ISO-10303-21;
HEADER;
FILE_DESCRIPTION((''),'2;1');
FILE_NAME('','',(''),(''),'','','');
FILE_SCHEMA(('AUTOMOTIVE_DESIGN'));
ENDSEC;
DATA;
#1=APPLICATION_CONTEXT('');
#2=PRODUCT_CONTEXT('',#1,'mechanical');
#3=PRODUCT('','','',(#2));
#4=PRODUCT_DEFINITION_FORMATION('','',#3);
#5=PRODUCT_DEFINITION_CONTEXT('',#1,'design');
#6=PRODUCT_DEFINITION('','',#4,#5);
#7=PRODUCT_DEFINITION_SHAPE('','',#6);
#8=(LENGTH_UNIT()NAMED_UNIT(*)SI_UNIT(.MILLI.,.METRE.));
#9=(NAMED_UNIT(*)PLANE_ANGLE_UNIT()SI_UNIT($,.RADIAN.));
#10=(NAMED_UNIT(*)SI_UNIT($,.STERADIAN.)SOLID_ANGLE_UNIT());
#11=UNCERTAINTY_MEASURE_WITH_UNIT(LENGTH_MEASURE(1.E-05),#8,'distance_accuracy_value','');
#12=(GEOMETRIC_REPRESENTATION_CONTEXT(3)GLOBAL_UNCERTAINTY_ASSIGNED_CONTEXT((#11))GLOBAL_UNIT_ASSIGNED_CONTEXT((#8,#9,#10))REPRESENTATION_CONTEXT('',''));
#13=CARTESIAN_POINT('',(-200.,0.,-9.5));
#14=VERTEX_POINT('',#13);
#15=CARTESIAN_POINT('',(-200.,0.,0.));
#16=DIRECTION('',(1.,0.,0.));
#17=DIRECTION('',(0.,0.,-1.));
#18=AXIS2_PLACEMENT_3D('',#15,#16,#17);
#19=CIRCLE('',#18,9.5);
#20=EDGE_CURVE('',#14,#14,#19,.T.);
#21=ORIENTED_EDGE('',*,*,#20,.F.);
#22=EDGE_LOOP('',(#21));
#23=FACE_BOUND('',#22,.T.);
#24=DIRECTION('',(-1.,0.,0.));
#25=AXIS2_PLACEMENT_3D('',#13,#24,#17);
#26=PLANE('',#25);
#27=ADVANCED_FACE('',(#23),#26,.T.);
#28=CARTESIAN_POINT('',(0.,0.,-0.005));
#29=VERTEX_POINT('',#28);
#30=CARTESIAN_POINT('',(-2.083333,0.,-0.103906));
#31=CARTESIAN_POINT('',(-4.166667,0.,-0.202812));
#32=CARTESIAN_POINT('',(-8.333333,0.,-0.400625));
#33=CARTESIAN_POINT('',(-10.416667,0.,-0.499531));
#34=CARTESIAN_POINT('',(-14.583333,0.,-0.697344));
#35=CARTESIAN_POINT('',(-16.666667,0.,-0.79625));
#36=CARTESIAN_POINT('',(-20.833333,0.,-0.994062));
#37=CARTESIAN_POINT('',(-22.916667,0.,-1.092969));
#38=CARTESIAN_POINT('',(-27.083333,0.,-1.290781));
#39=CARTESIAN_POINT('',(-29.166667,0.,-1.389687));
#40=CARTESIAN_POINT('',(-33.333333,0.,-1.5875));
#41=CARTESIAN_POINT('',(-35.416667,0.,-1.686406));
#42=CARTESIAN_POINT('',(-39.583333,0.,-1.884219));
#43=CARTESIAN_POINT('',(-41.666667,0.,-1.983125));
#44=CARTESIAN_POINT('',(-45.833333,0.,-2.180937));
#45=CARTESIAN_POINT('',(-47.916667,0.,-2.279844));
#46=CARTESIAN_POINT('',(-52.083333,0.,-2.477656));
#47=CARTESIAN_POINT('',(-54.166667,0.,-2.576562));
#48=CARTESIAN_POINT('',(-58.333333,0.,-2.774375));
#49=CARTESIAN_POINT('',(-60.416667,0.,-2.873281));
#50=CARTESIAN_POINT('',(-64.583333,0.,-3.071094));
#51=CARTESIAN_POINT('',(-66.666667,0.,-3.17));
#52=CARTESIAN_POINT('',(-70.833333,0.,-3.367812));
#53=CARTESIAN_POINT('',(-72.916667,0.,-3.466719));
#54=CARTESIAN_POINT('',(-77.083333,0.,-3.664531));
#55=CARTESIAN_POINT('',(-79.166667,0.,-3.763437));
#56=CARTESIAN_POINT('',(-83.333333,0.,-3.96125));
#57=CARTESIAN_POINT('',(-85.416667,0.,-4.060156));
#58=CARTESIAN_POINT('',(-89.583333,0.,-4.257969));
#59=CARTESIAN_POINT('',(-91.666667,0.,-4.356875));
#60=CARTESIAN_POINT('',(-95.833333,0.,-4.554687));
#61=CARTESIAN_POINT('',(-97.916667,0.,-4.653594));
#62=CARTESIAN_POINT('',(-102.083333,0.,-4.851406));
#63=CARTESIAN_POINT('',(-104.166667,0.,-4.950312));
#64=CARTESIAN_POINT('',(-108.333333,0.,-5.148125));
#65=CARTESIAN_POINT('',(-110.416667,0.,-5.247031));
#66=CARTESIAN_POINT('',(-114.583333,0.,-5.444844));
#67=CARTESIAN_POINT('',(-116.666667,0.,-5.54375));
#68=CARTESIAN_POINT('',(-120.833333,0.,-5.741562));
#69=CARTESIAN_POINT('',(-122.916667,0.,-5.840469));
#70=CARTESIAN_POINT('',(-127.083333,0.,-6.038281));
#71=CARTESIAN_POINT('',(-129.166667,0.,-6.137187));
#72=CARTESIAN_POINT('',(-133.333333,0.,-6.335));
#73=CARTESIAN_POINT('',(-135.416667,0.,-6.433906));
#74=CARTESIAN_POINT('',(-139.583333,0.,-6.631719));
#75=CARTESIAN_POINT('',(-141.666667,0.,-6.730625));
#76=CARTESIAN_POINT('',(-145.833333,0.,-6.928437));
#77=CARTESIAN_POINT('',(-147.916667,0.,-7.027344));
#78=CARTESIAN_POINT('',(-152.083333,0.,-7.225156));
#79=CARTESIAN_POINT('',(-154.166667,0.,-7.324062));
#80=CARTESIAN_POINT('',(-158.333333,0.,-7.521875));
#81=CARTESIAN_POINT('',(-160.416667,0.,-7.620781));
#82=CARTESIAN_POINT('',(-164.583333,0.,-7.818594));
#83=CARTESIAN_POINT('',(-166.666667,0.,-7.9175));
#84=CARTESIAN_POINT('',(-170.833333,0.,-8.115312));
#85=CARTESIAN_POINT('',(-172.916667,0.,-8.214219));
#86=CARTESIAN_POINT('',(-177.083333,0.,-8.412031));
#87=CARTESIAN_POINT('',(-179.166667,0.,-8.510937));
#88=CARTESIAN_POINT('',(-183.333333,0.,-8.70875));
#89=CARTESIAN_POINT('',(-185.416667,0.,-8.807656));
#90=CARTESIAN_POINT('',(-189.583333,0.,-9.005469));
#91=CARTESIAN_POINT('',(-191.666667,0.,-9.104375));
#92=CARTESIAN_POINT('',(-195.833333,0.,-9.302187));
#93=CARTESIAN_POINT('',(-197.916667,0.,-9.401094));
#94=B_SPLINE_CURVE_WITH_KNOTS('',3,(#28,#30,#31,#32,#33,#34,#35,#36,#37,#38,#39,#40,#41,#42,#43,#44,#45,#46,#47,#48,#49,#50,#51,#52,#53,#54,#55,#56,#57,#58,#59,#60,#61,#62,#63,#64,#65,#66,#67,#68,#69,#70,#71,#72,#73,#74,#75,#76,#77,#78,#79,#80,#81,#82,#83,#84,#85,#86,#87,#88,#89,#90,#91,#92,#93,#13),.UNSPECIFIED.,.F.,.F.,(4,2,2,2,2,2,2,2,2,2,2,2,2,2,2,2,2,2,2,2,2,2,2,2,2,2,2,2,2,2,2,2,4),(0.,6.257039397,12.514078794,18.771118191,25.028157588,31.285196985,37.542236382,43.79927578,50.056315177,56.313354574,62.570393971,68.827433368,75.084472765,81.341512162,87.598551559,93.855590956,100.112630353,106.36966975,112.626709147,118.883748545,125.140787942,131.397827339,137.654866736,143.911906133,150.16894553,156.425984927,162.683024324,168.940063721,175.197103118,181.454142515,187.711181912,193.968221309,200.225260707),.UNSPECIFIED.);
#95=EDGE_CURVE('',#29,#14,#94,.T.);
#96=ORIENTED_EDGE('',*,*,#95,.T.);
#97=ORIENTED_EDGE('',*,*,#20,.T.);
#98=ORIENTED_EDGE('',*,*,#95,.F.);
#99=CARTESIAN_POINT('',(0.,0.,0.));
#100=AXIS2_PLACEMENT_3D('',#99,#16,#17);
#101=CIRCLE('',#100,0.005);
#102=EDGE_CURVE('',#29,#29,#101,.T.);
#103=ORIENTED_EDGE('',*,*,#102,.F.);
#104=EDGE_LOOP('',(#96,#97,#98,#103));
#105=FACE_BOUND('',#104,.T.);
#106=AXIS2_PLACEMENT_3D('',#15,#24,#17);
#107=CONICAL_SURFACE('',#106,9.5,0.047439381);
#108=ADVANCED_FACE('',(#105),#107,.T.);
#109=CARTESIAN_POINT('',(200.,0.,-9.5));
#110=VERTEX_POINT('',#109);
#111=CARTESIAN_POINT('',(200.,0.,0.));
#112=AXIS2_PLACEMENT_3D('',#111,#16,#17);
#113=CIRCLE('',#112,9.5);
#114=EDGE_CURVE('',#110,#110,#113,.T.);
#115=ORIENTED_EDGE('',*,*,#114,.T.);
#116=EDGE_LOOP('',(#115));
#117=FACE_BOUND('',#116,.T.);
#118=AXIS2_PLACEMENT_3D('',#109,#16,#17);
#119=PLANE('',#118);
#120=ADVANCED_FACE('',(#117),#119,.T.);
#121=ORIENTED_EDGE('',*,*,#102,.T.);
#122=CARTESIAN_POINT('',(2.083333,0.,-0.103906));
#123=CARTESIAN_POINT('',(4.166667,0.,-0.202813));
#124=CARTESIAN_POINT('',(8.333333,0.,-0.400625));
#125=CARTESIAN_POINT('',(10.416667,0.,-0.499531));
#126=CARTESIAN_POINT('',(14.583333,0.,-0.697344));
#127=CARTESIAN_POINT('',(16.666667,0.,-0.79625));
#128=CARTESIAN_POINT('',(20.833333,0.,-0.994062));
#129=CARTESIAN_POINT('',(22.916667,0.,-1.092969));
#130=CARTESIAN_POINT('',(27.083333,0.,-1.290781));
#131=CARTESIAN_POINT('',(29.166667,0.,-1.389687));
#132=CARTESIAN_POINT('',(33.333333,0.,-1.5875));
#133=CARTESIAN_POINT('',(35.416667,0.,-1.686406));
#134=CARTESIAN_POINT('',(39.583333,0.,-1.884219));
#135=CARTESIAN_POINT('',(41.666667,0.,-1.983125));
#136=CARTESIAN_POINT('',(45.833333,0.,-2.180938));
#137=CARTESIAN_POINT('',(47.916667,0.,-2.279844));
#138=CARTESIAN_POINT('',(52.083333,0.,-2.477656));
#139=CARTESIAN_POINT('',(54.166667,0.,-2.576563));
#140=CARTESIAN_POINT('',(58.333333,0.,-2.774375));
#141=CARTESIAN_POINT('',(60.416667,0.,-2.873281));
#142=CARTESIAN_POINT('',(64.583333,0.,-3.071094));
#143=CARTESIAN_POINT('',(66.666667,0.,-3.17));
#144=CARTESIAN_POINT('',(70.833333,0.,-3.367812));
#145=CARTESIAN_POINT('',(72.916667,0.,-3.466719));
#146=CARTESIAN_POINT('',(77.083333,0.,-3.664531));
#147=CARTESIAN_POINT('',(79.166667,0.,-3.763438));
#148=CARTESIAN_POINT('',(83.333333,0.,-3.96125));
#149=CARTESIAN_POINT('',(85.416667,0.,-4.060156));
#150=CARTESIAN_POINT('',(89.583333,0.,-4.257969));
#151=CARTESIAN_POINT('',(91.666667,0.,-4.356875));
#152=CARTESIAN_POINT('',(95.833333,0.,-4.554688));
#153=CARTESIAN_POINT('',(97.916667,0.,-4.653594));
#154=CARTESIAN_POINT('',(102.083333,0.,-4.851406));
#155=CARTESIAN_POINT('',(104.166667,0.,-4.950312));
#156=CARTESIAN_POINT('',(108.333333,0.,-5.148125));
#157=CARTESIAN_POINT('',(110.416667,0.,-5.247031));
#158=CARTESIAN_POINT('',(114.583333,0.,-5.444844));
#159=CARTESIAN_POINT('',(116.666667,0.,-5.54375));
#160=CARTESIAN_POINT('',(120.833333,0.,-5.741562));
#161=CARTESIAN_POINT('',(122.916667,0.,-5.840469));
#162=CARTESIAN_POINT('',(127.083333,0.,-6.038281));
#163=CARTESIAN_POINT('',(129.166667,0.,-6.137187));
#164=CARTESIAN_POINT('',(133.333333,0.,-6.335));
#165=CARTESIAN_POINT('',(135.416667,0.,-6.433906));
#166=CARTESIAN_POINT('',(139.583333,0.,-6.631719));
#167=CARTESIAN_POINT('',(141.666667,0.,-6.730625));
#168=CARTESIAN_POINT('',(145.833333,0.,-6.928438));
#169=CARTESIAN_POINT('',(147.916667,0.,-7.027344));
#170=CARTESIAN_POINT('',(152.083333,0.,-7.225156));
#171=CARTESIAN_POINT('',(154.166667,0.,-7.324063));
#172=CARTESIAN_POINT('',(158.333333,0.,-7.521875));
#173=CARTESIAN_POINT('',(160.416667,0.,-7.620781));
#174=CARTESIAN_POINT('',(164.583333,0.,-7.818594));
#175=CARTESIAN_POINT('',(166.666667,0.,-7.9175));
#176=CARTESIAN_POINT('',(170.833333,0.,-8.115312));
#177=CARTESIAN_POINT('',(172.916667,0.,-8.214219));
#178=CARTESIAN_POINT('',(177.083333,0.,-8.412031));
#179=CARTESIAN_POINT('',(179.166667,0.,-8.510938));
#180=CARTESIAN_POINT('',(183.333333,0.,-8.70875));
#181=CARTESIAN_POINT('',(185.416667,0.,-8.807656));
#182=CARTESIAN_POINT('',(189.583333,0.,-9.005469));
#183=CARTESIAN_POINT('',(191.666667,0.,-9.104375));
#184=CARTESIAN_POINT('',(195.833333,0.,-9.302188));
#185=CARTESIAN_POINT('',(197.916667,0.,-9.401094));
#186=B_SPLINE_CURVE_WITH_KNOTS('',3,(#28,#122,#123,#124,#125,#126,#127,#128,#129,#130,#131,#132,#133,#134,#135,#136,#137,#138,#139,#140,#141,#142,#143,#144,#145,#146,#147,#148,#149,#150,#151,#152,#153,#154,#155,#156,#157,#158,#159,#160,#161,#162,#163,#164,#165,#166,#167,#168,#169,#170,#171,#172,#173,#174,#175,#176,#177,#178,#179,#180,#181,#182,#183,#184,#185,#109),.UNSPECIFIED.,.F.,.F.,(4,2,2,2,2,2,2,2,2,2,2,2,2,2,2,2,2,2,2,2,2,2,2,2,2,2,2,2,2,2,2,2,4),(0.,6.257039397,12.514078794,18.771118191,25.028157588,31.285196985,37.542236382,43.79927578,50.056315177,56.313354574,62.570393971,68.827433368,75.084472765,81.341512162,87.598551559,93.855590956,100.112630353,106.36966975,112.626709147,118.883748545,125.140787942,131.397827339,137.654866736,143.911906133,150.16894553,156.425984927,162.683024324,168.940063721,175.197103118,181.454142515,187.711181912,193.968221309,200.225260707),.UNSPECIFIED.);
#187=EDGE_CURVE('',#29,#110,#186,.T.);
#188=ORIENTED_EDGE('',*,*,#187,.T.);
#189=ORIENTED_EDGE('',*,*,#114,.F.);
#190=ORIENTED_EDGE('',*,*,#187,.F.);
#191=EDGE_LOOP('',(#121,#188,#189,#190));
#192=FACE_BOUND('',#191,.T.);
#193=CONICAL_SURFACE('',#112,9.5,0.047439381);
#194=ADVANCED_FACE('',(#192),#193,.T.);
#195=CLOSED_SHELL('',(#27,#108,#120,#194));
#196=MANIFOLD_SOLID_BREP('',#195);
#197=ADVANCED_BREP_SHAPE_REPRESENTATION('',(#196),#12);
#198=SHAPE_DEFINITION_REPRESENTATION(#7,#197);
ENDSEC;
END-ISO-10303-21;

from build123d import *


with BuildPart() as part:
    # 草图1 → 旋转1 (revolve)
    with BuildSketch(Plane(origin=(0, 0, 0), x_dir=(1, 0, 0), z_dir=(0, 1, 0))):
        Polygon((0, 0), (0, 0.005), (200, 9.5), (200, 0), align=None)
    revolve_1 = revolve(axis=Axis((200, 0, 0), (-1, 0, 0)))

    # 镜向1: 旋转1 across plane
    add(revolve_1.mirror(Plane.ZY))


solid = part.part
